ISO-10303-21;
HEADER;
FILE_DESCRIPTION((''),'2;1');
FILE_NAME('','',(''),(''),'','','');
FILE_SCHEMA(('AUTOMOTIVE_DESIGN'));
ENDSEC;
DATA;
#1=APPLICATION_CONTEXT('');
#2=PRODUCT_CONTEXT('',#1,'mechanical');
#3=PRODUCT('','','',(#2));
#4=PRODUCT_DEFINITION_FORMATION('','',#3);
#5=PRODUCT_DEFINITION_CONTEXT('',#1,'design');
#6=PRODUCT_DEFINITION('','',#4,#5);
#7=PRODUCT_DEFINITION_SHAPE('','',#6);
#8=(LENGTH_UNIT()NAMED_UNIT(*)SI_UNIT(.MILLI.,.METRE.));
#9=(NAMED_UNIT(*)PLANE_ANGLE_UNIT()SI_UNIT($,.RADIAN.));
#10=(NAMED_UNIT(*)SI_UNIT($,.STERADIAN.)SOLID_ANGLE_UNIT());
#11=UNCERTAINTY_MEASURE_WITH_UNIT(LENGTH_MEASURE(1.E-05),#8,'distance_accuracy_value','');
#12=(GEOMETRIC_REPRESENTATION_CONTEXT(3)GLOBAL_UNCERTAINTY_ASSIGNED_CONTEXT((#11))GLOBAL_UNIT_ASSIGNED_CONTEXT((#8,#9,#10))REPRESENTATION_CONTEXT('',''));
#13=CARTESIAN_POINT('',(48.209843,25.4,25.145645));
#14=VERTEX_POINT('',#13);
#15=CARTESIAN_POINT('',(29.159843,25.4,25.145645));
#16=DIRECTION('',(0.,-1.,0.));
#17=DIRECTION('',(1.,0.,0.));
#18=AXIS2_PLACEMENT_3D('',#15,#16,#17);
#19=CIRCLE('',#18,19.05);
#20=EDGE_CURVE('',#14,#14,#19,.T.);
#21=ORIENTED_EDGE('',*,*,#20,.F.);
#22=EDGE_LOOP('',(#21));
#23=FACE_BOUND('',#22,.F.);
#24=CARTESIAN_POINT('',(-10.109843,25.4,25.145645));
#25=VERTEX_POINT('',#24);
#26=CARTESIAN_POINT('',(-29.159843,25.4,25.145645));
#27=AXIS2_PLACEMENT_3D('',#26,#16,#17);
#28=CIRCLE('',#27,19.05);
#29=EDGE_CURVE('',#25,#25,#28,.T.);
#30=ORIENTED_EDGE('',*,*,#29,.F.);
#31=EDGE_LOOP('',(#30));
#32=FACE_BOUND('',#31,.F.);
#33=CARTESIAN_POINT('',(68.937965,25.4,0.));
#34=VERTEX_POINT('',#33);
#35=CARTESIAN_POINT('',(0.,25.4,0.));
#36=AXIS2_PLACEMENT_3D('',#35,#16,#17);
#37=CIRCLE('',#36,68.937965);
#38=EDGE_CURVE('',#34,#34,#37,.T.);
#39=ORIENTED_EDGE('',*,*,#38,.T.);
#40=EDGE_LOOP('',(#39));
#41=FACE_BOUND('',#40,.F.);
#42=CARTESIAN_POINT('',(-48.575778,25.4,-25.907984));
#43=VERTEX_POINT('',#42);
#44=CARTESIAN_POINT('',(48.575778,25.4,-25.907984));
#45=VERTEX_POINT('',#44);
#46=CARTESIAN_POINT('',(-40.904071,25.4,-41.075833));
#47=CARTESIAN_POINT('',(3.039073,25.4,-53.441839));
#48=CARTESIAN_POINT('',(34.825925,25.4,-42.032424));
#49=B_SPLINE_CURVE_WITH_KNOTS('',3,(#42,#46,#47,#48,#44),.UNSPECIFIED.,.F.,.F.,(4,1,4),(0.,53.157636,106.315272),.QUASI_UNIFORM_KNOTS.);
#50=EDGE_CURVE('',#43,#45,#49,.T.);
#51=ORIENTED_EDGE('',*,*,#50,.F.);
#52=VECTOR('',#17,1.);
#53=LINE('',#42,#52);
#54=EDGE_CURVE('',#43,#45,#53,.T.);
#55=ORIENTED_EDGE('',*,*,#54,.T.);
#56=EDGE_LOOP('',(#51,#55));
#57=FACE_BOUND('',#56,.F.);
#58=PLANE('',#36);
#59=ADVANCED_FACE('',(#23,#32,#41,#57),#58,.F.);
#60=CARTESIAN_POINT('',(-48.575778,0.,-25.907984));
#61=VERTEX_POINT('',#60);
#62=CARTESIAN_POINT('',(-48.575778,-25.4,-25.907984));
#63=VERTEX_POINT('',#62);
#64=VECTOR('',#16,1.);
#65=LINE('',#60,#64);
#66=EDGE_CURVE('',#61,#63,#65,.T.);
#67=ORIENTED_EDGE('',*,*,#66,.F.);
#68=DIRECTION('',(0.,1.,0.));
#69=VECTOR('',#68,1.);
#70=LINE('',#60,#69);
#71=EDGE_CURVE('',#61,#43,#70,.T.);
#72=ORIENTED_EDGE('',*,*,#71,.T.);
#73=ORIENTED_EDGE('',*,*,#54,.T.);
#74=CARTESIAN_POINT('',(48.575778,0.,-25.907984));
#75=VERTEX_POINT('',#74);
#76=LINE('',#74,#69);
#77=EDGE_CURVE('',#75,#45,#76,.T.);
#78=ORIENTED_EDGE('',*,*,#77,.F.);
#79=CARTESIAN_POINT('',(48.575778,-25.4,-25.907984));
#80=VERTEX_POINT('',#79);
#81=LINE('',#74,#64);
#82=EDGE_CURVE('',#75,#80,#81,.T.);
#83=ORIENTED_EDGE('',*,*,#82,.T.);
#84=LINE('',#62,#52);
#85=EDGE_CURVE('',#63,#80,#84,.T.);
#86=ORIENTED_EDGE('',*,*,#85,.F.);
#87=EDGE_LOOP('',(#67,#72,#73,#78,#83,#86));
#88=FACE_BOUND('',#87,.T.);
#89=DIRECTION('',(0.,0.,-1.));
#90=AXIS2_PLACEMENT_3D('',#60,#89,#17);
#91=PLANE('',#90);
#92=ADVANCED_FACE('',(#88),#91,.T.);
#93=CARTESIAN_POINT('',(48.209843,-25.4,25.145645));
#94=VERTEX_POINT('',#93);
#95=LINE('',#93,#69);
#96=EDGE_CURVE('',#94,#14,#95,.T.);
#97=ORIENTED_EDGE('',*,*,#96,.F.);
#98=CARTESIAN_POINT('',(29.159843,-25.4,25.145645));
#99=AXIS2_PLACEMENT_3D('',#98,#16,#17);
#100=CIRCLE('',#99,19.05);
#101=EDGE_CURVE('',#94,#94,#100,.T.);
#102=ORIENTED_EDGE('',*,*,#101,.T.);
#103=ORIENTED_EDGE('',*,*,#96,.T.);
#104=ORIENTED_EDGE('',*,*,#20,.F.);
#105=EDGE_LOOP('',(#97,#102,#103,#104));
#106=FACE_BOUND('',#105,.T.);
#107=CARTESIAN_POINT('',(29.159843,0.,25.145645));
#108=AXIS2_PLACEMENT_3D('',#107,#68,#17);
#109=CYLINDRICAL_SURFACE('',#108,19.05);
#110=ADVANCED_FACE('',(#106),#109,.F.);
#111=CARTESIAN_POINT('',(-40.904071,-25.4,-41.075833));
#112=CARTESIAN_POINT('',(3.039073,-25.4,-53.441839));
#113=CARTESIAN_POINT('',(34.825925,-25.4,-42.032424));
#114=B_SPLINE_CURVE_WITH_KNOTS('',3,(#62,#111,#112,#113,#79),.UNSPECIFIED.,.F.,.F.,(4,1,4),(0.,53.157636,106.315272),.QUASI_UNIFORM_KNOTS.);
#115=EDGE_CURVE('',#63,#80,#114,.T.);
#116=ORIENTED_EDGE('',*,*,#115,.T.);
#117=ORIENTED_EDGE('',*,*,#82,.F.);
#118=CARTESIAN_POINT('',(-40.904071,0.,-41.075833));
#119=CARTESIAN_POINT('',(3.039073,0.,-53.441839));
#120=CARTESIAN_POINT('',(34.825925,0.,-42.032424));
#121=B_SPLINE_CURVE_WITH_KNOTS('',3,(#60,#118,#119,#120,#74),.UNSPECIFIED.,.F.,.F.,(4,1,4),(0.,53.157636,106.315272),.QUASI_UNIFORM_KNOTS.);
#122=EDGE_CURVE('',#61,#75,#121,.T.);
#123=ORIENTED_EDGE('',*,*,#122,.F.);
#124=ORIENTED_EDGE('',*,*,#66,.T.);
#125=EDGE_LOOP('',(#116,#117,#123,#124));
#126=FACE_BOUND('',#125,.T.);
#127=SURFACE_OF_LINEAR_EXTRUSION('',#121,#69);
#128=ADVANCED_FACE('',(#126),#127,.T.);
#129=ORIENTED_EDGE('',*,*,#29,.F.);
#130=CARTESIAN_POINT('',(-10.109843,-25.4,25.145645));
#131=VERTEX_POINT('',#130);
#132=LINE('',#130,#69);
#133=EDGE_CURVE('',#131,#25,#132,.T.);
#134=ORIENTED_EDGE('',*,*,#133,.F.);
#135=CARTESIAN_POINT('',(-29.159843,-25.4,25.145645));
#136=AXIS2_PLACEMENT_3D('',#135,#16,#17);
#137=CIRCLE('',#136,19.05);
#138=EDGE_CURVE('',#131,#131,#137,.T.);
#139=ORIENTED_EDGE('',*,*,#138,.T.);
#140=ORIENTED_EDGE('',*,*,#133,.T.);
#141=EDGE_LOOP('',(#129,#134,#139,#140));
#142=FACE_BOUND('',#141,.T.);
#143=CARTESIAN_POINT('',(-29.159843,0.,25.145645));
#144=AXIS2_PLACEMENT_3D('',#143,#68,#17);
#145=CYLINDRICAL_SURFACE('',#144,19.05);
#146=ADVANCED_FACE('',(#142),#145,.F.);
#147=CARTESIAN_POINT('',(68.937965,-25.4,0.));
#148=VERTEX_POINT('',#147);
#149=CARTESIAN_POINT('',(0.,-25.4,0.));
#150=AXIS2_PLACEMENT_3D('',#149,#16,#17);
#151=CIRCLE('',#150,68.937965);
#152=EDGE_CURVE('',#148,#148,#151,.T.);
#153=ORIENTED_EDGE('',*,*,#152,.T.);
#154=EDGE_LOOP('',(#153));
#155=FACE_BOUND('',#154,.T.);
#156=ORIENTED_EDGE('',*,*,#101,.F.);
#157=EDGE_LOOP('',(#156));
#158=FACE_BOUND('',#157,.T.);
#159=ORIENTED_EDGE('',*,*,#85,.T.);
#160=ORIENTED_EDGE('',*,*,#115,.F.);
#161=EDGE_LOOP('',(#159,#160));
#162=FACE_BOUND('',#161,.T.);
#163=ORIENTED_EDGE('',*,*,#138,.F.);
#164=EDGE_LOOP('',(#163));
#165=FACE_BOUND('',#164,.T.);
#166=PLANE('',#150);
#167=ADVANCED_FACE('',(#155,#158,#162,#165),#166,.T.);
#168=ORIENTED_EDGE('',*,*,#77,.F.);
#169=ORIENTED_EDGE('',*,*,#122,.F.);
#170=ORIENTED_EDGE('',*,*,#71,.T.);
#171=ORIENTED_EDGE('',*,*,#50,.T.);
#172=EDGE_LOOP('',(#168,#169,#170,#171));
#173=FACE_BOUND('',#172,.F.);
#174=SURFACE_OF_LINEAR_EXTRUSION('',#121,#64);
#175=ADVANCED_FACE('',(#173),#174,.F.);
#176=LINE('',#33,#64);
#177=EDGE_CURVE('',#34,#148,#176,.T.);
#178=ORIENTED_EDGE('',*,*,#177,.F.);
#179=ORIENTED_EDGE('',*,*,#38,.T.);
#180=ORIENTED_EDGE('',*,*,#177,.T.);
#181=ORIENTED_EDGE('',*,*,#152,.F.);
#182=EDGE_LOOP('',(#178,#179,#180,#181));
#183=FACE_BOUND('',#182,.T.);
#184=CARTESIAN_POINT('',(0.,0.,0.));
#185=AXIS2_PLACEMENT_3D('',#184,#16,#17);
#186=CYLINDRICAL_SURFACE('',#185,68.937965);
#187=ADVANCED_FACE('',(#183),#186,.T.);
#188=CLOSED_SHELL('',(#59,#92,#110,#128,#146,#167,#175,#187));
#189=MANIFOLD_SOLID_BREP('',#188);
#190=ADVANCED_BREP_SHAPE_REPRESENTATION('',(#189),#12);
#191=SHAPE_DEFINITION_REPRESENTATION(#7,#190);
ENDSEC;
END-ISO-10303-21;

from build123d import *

# Parameters (mm, degrees)
F0_R     = 68.937965
F0_R_2   = 19.05
F1_DEPTH = 25.4


with BuildPart() as f1:
    # F0 (on Front) → F1 (new body, symmetric)
    with BuildSketch(Plane.XZ):
        Circle(F0_R)
        with BuildLine():
            add(Edge.make_bspline(
                [(-48.575778, -25.907984), (-40.904071, -41.075833), (3.039073, -53.441839), (34.825925, -42.032424), (48.575778, -25.907984)],
                knots=[0, 0, 0, 0, 53.157636, 106.315272, 106.315272, 106.315272, 106.315272], degree=3))
            Line((-48.575778, -25.907984), (0, -25.907984))
            Line((0, -25.907984), (48.575778, -25.907984))
        make_face(mode=Mode.SUBTRACT)
        with Locations((-29.159843, 25.145645)):
            Circle(F0_R_2, mode=Mode.SUBTRACT)
        with Locations((29.159843, 25.145645)):
            Circle(F0_R_2, mode=Mode.SUBTRACT)
    extrude(amount=F1_DEPTH, both=True)


solid = f1.part
